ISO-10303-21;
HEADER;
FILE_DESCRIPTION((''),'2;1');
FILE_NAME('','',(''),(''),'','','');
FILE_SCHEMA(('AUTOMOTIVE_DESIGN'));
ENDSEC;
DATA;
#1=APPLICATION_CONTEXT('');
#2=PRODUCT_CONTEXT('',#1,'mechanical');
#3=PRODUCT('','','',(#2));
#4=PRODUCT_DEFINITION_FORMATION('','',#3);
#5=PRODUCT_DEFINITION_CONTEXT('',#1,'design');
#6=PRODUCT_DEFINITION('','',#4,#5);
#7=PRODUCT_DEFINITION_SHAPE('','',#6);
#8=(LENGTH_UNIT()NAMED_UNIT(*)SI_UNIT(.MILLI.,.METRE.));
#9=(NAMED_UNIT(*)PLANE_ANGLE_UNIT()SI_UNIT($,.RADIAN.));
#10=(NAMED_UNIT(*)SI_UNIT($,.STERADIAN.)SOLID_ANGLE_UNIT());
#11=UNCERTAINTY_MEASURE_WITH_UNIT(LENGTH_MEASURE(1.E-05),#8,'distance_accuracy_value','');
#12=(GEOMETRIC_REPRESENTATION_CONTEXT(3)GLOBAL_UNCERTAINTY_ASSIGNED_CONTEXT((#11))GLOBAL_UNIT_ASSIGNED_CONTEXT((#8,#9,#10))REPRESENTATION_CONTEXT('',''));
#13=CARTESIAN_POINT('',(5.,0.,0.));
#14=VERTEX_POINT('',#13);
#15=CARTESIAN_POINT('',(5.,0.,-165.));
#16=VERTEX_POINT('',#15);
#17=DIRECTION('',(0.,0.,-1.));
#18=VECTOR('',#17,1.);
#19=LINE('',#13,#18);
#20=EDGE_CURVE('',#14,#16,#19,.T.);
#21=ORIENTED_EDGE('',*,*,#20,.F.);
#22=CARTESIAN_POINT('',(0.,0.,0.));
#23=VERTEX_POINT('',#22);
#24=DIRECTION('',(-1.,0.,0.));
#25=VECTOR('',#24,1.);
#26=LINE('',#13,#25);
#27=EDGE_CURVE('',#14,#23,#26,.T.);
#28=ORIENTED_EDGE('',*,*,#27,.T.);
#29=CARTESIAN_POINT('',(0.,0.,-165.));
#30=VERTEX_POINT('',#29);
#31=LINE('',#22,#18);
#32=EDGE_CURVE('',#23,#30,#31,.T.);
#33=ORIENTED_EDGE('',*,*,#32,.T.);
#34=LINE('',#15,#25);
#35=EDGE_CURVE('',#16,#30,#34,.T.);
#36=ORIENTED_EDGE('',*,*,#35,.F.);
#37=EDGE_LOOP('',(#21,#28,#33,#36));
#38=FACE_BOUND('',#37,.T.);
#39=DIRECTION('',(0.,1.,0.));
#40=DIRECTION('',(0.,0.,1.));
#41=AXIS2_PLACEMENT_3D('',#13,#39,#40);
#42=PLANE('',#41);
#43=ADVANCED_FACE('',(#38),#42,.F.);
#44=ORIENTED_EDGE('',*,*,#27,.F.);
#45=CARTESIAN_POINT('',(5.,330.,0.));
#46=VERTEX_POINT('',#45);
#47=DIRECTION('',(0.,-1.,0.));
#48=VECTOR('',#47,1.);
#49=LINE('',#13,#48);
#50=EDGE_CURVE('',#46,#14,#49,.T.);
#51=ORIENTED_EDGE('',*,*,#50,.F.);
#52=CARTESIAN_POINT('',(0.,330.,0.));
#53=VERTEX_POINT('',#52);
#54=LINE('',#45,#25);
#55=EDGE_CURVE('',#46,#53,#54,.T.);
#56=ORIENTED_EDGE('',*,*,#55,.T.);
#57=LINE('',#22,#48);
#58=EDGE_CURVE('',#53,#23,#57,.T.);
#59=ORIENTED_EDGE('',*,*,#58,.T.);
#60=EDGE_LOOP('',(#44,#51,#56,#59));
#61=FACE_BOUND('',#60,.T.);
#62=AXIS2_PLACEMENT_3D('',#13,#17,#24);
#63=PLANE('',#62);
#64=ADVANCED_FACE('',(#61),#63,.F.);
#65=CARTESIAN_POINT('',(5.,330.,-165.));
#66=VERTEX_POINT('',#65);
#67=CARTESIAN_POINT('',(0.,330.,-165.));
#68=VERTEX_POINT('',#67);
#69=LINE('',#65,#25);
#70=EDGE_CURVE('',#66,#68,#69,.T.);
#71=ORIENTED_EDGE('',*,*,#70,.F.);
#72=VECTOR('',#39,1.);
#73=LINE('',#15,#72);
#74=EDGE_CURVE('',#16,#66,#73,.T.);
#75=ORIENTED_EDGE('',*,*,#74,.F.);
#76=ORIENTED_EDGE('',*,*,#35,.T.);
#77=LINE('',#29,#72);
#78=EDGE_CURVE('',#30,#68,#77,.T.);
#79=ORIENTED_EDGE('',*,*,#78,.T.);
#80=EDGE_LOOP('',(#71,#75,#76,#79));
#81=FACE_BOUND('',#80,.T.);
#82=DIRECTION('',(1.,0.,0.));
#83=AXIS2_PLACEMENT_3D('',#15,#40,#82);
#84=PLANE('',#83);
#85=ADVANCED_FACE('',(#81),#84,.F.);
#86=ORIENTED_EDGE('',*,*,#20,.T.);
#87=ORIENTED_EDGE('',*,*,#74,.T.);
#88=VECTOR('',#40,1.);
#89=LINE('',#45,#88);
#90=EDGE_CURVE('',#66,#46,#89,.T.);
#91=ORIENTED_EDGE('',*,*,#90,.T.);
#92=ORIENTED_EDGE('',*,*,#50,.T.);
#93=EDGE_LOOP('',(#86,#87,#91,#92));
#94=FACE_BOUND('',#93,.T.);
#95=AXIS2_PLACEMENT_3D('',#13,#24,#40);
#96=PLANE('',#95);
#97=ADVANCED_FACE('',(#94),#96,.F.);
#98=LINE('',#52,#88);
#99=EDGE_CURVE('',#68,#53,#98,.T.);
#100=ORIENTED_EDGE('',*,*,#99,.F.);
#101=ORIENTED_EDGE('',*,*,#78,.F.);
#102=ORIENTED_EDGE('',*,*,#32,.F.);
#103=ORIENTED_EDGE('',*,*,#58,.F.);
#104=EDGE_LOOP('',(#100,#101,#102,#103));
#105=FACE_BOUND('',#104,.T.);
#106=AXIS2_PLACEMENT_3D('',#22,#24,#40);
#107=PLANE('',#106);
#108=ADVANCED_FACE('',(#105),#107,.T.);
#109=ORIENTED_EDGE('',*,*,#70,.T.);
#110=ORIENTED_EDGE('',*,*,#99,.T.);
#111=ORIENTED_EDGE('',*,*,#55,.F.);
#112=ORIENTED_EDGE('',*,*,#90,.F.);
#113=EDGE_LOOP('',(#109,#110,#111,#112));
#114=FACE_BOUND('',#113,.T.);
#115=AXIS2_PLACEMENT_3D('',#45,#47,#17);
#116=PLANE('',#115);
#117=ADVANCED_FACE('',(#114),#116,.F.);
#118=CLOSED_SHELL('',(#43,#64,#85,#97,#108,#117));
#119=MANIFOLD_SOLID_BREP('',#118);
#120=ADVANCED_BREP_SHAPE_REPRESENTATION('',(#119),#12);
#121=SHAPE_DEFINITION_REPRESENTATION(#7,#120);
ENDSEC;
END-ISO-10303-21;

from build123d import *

# Parameters (mm, degrees)
SKETCH_1_W      = 165
SKETCH_1_H      = 330
EXTRUDE_1_DEPTH = 5


with BuildPart() as part:
    # 스케치1 → 보스-돌출1 (new body)
    with BuildSketch(Plane(origin=(0, 0, 0), x_dir=(0, 0, -1), z_dir=(1, 0, 0))):
        with Locations((82.5, 165)):
            Rectangle(SKETCH_1_W, SKETCH_1_H)
    extrude(amount=EXTRUDE_1_DEPTH)


solid = part.part
